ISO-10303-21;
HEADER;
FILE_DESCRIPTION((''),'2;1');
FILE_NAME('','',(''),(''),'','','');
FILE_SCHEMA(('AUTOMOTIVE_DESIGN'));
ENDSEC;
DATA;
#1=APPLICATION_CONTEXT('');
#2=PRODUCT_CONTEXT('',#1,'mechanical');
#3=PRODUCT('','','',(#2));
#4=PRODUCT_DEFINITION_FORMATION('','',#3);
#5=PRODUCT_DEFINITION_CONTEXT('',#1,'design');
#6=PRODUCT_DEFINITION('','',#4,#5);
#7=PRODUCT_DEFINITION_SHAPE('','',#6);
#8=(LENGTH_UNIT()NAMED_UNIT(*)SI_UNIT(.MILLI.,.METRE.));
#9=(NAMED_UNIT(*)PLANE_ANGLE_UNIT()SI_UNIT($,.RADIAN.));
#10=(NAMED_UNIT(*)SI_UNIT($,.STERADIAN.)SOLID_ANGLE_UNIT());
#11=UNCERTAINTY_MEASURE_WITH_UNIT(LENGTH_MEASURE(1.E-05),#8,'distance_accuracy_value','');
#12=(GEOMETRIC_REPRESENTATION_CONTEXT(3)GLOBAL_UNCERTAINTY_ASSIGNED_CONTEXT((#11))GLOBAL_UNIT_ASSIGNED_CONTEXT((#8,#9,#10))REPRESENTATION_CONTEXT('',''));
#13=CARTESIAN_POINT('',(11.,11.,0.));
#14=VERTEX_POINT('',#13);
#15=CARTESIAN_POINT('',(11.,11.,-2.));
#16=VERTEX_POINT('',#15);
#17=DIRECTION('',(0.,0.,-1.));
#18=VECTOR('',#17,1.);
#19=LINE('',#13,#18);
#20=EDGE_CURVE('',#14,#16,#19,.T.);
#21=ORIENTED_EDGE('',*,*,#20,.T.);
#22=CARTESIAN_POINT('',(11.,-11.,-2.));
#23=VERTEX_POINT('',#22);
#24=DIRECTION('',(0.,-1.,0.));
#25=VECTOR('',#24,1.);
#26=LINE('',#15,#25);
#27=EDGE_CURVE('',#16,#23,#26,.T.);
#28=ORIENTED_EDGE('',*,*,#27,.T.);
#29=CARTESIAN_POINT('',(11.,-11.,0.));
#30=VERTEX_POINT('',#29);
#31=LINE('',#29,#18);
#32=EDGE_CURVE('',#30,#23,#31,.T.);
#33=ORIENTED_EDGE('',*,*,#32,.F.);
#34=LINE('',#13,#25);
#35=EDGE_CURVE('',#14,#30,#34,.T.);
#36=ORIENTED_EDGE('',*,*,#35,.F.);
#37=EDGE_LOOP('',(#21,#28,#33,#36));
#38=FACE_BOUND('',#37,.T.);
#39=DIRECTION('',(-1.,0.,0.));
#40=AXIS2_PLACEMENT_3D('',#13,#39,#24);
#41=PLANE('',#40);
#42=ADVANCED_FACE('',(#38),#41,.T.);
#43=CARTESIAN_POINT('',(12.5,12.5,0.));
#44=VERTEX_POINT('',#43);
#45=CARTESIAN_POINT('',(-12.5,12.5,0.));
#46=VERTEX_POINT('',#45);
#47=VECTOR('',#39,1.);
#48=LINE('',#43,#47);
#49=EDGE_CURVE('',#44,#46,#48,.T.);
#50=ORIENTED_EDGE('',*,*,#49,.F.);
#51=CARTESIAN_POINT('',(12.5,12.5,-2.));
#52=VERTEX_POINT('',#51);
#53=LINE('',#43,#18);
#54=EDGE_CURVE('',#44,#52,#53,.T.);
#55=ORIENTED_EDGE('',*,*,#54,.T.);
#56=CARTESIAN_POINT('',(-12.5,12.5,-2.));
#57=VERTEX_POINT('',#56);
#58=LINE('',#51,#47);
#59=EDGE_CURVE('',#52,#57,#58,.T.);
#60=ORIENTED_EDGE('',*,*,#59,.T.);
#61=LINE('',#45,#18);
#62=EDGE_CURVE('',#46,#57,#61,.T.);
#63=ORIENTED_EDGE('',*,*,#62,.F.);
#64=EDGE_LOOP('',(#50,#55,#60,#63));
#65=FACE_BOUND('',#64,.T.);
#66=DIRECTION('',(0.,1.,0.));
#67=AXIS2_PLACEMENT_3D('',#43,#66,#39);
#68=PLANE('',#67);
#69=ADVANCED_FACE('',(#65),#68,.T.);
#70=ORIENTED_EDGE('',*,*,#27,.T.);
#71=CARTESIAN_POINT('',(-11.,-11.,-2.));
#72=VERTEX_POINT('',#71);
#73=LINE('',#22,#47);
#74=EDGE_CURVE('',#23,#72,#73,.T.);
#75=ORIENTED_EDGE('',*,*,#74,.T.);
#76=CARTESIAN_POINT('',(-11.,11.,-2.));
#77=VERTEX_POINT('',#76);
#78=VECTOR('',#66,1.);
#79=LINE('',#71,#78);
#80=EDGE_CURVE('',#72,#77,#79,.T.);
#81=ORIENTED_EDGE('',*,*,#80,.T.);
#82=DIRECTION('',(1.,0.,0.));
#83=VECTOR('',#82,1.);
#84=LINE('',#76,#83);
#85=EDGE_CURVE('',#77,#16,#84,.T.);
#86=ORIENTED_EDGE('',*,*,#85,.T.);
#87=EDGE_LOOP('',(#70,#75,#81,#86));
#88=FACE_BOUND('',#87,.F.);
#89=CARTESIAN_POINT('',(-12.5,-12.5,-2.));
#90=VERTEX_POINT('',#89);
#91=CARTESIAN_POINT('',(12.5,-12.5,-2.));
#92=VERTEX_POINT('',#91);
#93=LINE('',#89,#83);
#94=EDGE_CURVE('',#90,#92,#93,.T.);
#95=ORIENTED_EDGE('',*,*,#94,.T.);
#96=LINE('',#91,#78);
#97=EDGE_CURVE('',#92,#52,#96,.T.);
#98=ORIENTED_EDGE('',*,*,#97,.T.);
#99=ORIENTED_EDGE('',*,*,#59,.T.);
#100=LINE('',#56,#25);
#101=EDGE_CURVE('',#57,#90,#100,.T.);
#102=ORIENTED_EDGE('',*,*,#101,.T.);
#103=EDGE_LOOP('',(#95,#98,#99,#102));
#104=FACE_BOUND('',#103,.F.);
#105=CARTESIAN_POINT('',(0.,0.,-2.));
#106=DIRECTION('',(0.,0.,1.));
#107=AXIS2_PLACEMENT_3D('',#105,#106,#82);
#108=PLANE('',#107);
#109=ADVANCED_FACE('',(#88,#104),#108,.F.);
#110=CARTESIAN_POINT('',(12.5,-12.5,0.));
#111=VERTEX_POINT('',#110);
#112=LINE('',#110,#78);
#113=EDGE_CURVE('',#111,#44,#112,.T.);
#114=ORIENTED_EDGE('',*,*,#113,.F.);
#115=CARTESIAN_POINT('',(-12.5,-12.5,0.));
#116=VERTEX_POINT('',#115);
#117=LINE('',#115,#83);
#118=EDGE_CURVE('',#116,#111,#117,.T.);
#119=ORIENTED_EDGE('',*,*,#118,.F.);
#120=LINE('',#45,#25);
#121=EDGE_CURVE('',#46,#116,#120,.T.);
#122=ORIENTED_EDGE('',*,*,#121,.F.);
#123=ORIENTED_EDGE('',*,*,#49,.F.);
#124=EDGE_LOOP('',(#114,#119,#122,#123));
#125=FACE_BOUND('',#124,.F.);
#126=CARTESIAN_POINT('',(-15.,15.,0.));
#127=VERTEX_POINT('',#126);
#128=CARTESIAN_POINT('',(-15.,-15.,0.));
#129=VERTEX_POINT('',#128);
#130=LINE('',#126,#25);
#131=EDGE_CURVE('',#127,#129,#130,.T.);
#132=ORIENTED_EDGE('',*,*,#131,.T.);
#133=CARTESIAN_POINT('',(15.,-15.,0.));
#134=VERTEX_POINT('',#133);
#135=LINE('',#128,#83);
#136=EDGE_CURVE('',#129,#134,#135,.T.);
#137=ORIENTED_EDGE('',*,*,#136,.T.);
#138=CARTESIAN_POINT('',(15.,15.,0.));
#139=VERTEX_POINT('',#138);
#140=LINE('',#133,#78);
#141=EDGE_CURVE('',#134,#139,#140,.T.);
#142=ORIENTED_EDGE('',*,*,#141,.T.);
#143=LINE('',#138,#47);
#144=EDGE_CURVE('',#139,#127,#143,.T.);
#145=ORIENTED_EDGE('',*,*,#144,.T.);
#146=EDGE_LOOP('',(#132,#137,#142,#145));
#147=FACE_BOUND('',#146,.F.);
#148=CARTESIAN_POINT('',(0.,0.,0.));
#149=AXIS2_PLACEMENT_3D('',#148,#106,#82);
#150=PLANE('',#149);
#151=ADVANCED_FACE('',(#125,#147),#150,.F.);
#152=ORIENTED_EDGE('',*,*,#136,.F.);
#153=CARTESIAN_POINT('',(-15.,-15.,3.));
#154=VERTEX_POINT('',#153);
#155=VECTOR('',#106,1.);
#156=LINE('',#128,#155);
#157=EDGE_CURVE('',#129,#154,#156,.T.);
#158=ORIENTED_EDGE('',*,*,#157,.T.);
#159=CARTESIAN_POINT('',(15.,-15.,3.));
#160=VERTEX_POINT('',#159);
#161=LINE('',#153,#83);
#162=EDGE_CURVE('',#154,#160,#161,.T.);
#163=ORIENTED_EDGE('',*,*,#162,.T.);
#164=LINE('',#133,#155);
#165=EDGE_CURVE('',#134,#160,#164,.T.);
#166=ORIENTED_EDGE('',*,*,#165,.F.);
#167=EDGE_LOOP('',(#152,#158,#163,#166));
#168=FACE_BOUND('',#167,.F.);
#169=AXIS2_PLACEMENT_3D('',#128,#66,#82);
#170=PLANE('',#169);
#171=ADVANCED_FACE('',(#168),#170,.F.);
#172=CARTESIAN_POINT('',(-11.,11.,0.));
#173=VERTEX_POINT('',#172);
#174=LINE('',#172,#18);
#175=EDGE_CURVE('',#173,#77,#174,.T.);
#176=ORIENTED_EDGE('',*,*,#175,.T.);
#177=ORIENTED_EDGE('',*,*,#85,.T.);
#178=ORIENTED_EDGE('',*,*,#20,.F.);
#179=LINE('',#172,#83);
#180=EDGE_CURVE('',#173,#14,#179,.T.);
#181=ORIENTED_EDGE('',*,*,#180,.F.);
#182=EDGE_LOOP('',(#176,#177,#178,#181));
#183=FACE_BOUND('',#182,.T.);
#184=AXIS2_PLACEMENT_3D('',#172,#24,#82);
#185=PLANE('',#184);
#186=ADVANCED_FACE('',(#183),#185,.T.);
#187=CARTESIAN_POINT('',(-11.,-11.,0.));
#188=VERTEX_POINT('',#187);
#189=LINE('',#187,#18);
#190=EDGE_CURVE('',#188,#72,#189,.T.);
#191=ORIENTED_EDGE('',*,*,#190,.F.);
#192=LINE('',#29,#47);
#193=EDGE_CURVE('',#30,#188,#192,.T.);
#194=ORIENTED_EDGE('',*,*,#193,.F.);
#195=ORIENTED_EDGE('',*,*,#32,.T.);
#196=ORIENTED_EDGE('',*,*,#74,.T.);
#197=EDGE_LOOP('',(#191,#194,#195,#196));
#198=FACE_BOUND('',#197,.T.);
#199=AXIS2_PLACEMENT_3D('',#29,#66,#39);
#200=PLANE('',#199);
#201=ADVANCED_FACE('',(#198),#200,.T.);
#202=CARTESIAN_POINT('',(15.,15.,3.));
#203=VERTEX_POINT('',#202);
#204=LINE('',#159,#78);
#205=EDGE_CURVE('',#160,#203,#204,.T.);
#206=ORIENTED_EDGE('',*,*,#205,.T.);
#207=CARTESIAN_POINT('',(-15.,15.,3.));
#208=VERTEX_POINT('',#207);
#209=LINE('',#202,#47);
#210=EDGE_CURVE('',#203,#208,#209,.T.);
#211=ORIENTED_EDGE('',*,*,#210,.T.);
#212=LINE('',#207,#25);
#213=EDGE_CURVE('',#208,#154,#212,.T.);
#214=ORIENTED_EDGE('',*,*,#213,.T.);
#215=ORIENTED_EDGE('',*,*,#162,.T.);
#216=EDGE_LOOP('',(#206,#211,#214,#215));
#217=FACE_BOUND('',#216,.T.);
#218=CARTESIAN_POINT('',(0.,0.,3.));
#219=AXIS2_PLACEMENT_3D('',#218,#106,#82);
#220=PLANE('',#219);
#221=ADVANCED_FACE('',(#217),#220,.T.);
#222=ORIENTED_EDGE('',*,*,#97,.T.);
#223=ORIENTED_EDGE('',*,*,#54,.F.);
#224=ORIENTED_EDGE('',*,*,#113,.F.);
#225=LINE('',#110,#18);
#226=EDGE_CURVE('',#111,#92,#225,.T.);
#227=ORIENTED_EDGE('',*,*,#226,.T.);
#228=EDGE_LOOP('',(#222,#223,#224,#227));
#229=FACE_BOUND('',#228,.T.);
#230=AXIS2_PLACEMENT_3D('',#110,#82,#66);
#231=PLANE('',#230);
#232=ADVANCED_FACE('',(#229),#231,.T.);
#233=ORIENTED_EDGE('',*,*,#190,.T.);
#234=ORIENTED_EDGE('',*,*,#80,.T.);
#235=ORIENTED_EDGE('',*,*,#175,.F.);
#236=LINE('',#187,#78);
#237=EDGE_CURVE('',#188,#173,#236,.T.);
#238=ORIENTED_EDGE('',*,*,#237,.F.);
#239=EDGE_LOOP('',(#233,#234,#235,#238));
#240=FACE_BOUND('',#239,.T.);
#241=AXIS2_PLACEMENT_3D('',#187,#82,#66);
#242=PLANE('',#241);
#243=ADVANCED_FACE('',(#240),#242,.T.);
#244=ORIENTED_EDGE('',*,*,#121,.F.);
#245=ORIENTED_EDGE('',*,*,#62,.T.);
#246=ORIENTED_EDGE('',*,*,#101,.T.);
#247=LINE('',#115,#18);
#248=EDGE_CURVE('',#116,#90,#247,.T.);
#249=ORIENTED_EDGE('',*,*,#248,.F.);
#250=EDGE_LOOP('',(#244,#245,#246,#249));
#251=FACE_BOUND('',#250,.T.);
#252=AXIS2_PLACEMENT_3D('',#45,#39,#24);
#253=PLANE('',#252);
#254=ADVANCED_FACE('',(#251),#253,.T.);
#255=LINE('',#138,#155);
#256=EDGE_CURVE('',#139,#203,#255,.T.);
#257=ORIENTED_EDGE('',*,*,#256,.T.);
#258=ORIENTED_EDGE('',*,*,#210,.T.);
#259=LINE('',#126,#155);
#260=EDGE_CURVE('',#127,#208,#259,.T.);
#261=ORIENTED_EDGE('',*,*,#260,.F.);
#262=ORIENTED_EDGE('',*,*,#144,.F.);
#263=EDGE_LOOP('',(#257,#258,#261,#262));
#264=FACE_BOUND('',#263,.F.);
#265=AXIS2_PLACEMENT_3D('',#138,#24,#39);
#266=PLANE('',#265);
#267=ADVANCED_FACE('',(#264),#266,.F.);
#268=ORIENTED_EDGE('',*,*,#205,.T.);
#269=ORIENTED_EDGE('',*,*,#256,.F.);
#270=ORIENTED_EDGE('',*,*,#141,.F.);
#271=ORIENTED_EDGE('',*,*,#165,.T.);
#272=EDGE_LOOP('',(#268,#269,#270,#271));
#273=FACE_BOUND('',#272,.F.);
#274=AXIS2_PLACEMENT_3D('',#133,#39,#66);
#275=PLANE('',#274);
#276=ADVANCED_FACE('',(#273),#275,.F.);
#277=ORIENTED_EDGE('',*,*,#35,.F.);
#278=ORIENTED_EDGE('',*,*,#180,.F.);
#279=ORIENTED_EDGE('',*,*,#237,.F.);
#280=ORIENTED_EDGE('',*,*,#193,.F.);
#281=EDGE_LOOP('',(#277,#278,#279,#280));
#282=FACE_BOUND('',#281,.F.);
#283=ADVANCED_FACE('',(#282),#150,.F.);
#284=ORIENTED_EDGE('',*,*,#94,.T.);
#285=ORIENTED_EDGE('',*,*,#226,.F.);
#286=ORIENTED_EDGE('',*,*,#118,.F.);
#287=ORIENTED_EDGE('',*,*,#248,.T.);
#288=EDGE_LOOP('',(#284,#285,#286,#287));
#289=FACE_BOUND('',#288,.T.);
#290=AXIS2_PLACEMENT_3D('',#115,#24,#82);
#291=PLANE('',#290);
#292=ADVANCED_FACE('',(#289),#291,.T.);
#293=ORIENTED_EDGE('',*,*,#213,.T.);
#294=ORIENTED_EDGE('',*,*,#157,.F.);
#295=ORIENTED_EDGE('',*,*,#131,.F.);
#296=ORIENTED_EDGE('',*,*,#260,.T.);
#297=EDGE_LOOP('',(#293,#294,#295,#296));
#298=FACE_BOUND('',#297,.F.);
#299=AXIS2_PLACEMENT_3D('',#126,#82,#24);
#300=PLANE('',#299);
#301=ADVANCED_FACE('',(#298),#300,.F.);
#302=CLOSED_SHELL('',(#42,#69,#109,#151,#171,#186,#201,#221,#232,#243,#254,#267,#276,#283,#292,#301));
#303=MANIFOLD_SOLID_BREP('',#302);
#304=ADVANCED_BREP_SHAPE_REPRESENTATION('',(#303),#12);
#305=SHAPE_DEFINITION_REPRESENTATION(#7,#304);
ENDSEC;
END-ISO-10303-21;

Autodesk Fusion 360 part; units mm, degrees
sketch "Boceto1" plane through (0, 0, 0) normal (0, 0, 1) x (1, 0, 0)
  line L0 (15, 15) -> (-15, 15)
  line L1 (-15, 15) -> (-15, -15)
  line L2 (-15, -15) -> (15, -15)
  line L3 (15, -15) -> (15, 15)
  line L4 (15, 15) -> (-15, -15) construction
  line L5 (-15, 15) -> (15, -15) construction
  line L6 (12.5, 12.5) -> (-12.5, 12.5)
  line L7 (-12.5, 12.5) -> (-12.5, -12.5)
  line L8 (-12.5, -12.5) -> (12.5, -12.5)
  line L9 (12.5, -12.5) -> (12.5, 12.5)
  line L10 (12.5, 12.5) -> (-12.5, -12.5) construction
  line L11 (-12.5, 12.5) -> (12.5, -12.5) construction
  line L12 (11, -11) -> (-11, -11)
  line L13 (-11, -11) -> (-11, 11)
  line L14 (-11, 11) -> (11, 11)
  line L15 (11, 11) -> (11, -11)
  line L16 (11, -11) -> (-11, 11) construction
  line L17 (-11, -11) -> (11, 11) construction
  dimension "d1" = 30
  dimension "d2" = 30
  dimension "d3" = 25
  dimension "d4" = 25
  dimension "d7" = 22
  dimension "d8" = 22
extrude "Extruir1" add sketch "Boceto1" along normal blind 3 contours L0 L1 L2 L3 | L6 L7 L8 L9 | L12 L13 L14 L15 makes body 1
extrude "Extruir2" add sketch "Boceto1" against normal blind 2 separate body contours L6 L7 L8 L9 makes body 2
combine "Combinar1" operation add target body 2 tool bodies 1
